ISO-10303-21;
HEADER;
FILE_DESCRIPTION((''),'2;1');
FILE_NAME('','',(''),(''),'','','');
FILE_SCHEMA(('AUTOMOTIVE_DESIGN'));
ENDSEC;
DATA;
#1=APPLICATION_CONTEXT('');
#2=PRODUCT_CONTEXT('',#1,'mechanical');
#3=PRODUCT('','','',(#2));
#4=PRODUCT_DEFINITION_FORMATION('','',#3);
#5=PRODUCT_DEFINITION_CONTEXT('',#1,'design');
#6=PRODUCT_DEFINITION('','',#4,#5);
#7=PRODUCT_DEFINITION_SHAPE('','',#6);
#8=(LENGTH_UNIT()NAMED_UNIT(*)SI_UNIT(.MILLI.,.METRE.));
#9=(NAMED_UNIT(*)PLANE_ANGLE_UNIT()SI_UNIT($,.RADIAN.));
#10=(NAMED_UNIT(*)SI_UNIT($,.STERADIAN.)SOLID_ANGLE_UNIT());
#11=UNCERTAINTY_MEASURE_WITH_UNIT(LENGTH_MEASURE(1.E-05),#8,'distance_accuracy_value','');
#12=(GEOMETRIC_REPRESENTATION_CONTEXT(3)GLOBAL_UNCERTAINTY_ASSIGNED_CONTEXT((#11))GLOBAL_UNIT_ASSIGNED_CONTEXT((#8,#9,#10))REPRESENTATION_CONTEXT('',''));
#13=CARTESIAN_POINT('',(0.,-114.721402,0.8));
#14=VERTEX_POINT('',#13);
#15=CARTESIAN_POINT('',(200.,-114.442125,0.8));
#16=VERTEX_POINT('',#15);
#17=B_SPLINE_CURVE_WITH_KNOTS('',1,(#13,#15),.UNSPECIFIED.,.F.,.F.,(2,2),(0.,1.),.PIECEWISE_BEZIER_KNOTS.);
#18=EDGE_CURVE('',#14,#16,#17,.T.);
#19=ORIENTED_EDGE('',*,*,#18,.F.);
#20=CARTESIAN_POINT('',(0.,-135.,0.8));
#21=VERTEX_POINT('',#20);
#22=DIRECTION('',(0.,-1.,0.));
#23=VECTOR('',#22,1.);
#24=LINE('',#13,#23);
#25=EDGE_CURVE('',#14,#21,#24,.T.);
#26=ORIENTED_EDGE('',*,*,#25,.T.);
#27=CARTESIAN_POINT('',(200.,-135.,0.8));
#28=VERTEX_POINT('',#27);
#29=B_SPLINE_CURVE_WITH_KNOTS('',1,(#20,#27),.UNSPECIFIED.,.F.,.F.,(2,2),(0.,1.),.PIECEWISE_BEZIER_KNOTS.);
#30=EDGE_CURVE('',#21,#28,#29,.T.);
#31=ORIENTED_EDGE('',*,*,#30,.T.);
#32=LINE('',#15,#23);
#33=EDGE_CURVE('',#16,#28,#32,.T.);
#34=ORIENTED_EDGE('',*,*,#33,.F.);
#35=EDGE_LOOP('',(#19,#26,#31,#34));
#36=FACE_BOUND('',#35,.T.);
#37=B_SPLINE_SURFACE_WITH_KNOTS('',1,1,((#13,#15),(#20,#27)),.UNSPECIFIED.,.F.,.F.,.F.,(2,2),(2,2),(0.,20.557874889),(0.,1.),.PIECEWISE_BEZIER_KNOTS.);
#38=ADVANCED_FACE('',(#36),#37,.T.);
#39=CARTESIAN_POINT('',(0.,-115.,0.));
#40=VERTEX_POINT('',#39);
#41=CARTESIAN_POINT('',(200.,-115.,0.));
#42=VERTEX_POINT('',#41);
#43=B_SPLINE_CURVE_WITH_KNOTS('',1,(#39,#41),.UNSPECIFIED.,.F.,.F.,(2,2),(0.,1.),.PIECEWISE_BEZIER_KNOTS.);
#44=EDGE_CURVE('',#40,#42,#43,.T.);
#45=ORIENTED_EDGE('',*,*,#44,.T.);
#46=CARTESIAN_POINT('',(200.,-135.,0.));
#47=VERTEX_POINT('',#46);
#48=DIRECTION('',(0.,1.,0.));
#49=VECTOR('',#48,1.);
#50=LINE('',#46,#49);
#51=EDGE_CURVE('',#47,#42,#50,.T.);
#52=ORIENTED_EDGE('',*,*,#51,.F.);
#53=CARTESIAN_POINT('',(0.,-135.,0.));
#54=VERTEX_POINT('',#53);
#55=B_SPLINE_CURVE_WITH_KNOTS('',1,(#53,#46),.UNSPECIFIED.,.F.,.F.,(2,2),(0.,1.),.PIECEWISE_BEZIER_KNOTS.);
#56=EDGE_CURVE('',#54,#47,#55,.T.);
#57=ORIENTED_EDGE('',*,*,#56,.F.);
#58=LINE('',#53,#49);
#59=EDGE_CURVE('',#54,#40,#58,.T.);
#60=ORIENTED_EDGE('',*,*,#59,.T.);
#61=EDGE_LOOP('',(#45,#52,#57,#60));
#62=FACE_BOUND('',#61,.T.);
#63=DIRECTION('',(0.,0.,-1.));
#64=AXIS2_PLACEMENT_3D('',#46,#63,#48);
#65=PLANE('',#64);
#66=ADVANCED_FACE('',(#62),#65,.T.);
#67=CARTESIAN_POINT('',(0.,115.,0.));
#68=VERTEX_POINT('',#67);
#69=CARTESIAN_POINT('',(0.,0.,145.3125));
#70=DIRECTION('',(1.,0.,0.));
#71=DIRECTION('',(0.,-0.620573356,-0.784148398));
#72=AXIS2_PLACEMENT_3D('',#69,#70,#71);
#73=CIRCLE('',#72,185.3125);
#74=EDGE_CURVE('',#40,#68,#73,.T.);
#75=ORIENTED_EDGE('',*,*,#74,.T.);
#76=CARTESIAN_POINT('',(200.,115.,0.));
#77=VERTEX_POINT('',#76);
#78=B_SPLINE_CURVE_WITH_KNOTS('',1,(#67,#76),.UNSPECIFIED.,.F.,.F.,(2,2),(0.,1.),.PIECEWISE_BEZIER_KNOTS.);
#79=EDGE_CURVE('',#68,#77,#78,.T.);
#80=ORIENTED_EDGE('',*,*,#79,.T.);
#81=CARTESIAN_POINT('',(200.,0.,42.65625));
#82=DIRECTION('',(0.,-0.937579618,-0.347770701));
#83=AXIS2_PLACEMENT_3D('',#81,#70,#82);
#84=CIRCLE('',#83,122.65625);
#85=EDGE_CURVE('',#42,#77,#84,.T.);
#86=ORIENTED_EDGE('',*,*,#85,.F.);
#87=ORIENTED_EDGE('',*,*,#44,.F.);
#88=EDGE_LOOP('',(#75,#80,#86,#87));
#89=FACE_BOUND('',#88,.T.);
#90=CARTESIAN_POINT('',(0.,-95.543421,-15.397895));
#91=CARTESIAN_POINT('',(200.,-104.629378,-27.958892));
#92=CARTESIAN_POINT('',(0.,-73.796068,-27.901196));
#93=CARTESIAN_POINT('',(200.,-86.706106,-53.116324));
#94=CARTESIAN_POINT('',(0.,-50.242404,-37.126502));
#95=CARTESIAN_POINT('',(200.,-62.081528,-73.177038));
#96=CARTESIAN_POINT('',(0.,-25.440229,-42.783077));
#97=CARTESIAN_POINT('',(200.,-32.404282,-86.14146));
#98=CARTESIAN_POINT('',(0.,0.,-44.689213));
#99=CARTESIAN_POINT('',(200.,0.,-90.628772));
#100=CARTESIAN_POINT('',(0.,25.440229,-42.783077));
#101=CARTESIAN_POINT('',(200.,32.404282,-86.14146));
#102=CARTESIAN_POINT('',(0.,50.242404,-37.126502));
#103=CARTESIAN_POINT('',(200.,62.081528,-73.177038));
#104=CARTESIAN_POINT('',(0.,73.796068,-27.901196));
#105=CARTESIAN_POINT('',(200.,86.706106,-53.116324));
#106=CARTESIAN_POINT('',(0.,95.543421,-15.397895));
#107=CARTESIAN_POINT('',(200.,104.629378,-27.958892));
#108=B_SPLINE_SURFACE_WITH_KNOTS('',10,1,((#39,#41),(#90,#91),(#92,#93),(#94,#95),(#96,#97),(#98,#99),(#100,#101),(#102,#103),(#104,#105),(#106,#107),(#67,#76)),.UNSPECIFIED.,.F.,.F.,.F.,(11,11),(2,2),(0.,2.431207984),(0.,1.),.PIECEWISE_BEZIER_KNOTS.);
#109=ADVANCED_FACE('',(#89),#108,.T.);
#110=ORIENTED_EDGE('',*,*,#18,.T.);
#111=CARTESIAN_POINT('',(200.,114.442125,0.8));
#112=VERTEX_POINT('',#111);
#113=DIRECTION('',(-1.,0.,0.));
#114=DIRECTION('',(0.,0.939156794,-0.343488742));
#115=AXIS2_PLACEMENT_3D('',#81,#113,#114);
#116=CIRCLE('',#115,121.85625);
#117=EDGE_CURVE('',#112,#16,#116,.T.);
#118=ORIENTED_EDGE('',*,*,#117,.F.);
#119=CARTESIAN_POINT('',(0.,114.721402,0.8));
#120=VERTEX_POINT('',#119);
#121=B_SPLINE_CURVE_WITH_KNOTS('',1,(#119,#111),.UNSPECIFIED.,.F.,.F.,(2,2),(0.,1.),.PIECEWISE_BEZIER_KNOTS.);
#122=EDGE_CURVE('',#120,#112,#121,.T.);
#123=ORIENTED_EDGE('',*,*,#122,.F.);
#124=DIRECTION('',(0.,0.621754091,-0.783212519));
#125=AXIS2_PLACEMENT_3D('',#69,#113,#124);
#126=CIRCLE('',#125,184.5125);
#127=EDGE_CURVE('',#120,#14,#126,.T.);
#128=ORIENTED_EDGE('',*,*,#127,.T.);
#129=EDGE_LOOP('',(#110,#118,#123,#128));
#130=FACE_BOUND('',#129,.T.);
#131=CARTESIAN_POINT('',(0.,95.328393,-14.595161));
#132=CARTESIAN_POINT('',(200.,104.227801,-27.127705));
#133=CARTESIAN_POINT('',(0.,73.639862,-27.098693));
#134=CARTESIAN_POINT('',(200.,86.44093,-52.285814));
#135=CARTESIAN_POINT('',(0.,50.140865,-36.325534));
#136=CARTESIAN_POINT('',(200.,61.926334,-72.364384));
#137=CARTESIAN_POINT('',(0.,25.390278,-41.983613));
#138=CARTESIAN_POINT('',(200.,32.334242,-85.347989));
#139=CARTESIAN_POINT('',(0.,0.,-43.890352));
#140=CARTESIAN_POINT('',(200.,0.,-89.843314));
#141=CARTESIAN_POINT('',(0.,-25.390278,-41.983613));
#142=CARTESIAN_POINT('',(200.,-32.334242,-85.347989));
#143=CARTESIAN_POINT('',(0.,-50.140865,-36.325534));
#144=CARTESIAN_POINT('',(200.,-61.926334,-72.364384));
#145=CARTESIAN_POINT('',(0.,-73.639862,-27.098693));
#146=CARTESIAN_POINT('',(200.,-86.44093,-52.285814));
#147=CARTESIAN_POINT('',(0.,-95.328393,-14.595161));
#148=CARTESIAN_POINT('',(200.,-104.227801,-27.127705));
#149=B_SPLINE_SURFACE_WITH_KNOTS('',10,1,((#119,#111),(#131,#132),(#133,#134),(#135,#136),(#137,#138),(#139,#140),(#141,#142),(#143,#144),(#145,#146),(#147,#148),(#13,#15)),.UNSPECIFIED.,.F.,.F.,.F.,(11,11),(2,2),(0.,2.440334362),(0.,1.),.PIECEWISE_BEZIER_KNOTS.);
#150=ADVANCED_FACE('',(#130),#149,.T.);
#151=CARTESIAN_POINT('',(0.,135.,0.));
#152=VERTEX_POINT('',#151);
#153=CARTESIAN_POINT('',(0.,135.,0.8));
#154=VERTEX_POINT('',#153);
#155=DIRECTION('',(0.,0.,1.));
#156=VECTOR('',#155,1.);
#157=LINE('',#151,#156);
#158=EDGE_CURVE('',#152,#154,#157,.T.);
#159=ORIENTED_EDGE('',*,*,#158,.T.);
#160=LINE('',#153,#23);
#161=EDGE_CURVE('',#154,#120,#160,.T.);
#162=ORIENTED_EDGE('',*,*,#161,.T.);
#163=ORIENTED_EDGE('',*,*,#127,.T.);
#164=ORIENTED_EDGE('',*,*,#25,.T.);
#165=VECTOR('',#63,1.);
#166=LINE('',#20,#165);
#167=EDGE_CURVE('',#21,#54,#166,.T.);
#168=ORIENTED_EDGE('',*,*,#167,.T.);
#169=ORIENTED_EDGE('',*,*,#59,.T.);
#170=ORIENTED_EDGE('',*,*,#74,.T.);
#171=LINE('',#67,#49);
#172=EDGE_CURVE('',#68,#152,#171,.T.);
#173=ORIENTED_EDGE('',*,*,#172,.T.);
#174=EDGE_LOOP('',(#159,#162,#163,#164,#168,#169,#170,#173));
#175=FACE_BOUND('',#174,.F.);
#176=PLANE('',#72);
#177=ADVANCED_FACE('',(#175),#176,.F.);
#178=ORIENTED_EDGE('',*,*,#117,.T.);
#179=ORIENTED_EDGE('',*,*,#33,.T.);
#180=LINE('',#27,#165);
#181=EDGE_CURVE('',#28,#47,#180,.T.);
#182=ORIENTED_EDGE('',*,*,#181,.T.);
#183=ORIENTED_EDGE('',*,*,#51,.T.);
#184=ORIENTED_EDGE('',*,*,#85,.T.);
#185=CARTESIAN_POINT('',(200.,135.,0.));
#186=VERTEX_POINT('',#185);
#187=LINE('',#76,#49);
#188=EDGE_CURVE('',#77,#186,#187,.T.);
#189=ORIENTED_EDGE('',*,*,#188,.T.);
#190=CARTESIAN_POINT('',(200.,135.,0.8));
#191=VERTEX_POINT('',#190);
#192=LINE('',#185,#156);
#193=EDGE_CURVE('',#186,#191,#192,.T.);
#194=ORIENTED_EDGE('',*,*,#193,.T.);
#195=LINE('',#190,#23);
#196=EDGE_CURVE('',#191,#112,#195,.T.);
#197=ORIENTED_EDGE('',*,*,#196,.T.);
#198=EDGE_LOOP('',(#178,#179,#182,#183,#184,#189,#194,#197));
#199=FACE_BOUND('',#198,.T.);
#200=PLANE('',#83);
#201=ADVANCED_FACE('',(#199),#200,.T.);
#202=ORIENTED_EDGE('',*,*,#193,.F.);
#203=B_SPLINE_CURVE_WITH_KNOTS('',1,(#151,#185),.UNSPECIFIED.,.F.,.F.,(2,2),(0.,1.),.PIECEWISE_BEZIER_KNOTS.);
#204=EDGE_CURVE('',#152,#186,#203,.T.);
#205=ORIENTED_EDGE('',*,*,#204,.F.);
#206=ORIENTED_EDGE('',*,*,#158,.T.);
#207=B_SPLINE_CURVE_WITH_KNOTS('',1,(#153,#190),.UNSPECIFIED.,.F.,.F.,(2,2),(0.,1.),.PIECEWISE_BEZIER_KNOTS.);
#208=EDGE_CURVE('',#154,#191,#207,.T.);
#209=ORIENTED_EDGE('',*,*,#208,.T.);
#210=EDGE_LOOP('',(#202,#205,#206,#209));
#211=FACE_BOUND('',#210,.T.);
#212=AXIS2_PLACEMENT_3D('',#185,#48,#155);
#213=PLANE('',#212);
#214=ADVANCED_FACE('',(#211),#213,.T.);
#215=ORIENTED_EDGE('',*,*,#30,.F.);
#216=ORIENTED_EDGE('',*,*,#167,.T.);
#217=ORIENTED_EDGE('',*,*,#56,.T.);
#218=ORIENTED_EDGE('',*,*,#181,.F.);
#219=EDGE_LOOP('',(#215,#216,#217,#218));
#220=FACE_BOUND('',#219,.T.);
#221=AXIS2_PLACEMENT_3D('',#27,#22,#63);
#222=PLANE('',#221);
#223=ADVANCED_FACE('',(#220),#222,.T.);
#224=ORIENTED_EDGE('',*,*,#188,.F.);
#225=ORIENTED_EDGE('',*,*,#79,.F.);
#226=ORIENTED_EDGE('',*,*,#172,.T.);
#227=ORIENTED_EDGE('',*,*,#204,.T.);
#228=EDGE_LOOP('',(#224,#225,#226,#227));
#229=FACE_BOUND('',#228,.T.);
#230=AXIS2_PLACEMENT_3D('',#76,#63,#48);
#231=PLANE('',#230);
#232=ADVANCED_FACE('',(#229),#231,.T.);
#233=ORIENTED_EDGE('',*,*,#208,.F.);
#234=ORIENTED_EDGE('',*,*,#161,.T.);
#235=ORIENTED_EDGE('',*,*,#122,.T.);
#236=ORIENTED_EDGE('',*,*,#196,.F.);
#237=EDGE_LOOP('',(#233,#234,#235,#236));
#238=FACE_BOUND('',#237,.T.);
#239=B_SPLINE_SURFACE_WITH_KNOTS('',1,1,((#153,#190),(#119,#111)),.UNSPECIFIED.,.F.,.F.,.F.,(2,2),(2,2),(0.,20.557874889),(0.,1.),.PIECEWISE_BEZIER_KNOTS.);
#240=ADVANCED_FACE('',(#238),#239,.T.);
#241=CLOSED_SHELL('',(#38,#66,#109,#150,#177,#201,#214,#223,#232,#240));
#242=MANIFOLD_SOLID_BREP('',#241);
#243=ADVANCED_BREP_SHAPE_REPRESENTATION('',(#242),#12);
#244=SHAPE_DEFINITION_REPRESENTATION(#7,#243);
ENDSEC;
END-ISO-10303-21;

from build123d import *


with BuildPart() as f3:
    # F0 (on Right) → F3 section 0
    with BuildSketch(Plane.YZ):
        with BuildLine():
            Line((-135, 0), (-115, 0))
            ThreePointArc((-115, 0), (0, -40), (115, 0))
            Line((115, 0), (135, 0))
            Line((135, 0), (135, 0.8))
            Line((135, 0.8), (114.7214016651, 0.8))
            ThreePointArc((114.7214016651, 0.8), (0, -39.2), (-114.7214016651, 0.8))
            Line((-114.7214016651, 0.8), (-135, 0.8))
            Line((-135, 0.8), (-135, 0))
        make_face()
    # F2 (on offset) → F3 section 1
    with BuildSketch(Plane.YZ.offset(200)):
        with BuildLine():
            Line((-135, 0), (-115, 0))
            ThreePointArc((-115, 0), (0, -80), (115, 0))
            Line((115, 0), (135, 0))
            Line((135, 0), (135, 0.8))
            Line((135, 0.8), (114.4421251113, 0.8))
            ThreePointArc((114.4421251113, 0.8), (0, -79.2), (-114.4421251113, 0.8))
            Line((-114.4421251113, 0.8), (-135, 0.8))
            Line((-135, 0.8), (-135, 0))
        make_face()
    loft()


solid = f3.part
